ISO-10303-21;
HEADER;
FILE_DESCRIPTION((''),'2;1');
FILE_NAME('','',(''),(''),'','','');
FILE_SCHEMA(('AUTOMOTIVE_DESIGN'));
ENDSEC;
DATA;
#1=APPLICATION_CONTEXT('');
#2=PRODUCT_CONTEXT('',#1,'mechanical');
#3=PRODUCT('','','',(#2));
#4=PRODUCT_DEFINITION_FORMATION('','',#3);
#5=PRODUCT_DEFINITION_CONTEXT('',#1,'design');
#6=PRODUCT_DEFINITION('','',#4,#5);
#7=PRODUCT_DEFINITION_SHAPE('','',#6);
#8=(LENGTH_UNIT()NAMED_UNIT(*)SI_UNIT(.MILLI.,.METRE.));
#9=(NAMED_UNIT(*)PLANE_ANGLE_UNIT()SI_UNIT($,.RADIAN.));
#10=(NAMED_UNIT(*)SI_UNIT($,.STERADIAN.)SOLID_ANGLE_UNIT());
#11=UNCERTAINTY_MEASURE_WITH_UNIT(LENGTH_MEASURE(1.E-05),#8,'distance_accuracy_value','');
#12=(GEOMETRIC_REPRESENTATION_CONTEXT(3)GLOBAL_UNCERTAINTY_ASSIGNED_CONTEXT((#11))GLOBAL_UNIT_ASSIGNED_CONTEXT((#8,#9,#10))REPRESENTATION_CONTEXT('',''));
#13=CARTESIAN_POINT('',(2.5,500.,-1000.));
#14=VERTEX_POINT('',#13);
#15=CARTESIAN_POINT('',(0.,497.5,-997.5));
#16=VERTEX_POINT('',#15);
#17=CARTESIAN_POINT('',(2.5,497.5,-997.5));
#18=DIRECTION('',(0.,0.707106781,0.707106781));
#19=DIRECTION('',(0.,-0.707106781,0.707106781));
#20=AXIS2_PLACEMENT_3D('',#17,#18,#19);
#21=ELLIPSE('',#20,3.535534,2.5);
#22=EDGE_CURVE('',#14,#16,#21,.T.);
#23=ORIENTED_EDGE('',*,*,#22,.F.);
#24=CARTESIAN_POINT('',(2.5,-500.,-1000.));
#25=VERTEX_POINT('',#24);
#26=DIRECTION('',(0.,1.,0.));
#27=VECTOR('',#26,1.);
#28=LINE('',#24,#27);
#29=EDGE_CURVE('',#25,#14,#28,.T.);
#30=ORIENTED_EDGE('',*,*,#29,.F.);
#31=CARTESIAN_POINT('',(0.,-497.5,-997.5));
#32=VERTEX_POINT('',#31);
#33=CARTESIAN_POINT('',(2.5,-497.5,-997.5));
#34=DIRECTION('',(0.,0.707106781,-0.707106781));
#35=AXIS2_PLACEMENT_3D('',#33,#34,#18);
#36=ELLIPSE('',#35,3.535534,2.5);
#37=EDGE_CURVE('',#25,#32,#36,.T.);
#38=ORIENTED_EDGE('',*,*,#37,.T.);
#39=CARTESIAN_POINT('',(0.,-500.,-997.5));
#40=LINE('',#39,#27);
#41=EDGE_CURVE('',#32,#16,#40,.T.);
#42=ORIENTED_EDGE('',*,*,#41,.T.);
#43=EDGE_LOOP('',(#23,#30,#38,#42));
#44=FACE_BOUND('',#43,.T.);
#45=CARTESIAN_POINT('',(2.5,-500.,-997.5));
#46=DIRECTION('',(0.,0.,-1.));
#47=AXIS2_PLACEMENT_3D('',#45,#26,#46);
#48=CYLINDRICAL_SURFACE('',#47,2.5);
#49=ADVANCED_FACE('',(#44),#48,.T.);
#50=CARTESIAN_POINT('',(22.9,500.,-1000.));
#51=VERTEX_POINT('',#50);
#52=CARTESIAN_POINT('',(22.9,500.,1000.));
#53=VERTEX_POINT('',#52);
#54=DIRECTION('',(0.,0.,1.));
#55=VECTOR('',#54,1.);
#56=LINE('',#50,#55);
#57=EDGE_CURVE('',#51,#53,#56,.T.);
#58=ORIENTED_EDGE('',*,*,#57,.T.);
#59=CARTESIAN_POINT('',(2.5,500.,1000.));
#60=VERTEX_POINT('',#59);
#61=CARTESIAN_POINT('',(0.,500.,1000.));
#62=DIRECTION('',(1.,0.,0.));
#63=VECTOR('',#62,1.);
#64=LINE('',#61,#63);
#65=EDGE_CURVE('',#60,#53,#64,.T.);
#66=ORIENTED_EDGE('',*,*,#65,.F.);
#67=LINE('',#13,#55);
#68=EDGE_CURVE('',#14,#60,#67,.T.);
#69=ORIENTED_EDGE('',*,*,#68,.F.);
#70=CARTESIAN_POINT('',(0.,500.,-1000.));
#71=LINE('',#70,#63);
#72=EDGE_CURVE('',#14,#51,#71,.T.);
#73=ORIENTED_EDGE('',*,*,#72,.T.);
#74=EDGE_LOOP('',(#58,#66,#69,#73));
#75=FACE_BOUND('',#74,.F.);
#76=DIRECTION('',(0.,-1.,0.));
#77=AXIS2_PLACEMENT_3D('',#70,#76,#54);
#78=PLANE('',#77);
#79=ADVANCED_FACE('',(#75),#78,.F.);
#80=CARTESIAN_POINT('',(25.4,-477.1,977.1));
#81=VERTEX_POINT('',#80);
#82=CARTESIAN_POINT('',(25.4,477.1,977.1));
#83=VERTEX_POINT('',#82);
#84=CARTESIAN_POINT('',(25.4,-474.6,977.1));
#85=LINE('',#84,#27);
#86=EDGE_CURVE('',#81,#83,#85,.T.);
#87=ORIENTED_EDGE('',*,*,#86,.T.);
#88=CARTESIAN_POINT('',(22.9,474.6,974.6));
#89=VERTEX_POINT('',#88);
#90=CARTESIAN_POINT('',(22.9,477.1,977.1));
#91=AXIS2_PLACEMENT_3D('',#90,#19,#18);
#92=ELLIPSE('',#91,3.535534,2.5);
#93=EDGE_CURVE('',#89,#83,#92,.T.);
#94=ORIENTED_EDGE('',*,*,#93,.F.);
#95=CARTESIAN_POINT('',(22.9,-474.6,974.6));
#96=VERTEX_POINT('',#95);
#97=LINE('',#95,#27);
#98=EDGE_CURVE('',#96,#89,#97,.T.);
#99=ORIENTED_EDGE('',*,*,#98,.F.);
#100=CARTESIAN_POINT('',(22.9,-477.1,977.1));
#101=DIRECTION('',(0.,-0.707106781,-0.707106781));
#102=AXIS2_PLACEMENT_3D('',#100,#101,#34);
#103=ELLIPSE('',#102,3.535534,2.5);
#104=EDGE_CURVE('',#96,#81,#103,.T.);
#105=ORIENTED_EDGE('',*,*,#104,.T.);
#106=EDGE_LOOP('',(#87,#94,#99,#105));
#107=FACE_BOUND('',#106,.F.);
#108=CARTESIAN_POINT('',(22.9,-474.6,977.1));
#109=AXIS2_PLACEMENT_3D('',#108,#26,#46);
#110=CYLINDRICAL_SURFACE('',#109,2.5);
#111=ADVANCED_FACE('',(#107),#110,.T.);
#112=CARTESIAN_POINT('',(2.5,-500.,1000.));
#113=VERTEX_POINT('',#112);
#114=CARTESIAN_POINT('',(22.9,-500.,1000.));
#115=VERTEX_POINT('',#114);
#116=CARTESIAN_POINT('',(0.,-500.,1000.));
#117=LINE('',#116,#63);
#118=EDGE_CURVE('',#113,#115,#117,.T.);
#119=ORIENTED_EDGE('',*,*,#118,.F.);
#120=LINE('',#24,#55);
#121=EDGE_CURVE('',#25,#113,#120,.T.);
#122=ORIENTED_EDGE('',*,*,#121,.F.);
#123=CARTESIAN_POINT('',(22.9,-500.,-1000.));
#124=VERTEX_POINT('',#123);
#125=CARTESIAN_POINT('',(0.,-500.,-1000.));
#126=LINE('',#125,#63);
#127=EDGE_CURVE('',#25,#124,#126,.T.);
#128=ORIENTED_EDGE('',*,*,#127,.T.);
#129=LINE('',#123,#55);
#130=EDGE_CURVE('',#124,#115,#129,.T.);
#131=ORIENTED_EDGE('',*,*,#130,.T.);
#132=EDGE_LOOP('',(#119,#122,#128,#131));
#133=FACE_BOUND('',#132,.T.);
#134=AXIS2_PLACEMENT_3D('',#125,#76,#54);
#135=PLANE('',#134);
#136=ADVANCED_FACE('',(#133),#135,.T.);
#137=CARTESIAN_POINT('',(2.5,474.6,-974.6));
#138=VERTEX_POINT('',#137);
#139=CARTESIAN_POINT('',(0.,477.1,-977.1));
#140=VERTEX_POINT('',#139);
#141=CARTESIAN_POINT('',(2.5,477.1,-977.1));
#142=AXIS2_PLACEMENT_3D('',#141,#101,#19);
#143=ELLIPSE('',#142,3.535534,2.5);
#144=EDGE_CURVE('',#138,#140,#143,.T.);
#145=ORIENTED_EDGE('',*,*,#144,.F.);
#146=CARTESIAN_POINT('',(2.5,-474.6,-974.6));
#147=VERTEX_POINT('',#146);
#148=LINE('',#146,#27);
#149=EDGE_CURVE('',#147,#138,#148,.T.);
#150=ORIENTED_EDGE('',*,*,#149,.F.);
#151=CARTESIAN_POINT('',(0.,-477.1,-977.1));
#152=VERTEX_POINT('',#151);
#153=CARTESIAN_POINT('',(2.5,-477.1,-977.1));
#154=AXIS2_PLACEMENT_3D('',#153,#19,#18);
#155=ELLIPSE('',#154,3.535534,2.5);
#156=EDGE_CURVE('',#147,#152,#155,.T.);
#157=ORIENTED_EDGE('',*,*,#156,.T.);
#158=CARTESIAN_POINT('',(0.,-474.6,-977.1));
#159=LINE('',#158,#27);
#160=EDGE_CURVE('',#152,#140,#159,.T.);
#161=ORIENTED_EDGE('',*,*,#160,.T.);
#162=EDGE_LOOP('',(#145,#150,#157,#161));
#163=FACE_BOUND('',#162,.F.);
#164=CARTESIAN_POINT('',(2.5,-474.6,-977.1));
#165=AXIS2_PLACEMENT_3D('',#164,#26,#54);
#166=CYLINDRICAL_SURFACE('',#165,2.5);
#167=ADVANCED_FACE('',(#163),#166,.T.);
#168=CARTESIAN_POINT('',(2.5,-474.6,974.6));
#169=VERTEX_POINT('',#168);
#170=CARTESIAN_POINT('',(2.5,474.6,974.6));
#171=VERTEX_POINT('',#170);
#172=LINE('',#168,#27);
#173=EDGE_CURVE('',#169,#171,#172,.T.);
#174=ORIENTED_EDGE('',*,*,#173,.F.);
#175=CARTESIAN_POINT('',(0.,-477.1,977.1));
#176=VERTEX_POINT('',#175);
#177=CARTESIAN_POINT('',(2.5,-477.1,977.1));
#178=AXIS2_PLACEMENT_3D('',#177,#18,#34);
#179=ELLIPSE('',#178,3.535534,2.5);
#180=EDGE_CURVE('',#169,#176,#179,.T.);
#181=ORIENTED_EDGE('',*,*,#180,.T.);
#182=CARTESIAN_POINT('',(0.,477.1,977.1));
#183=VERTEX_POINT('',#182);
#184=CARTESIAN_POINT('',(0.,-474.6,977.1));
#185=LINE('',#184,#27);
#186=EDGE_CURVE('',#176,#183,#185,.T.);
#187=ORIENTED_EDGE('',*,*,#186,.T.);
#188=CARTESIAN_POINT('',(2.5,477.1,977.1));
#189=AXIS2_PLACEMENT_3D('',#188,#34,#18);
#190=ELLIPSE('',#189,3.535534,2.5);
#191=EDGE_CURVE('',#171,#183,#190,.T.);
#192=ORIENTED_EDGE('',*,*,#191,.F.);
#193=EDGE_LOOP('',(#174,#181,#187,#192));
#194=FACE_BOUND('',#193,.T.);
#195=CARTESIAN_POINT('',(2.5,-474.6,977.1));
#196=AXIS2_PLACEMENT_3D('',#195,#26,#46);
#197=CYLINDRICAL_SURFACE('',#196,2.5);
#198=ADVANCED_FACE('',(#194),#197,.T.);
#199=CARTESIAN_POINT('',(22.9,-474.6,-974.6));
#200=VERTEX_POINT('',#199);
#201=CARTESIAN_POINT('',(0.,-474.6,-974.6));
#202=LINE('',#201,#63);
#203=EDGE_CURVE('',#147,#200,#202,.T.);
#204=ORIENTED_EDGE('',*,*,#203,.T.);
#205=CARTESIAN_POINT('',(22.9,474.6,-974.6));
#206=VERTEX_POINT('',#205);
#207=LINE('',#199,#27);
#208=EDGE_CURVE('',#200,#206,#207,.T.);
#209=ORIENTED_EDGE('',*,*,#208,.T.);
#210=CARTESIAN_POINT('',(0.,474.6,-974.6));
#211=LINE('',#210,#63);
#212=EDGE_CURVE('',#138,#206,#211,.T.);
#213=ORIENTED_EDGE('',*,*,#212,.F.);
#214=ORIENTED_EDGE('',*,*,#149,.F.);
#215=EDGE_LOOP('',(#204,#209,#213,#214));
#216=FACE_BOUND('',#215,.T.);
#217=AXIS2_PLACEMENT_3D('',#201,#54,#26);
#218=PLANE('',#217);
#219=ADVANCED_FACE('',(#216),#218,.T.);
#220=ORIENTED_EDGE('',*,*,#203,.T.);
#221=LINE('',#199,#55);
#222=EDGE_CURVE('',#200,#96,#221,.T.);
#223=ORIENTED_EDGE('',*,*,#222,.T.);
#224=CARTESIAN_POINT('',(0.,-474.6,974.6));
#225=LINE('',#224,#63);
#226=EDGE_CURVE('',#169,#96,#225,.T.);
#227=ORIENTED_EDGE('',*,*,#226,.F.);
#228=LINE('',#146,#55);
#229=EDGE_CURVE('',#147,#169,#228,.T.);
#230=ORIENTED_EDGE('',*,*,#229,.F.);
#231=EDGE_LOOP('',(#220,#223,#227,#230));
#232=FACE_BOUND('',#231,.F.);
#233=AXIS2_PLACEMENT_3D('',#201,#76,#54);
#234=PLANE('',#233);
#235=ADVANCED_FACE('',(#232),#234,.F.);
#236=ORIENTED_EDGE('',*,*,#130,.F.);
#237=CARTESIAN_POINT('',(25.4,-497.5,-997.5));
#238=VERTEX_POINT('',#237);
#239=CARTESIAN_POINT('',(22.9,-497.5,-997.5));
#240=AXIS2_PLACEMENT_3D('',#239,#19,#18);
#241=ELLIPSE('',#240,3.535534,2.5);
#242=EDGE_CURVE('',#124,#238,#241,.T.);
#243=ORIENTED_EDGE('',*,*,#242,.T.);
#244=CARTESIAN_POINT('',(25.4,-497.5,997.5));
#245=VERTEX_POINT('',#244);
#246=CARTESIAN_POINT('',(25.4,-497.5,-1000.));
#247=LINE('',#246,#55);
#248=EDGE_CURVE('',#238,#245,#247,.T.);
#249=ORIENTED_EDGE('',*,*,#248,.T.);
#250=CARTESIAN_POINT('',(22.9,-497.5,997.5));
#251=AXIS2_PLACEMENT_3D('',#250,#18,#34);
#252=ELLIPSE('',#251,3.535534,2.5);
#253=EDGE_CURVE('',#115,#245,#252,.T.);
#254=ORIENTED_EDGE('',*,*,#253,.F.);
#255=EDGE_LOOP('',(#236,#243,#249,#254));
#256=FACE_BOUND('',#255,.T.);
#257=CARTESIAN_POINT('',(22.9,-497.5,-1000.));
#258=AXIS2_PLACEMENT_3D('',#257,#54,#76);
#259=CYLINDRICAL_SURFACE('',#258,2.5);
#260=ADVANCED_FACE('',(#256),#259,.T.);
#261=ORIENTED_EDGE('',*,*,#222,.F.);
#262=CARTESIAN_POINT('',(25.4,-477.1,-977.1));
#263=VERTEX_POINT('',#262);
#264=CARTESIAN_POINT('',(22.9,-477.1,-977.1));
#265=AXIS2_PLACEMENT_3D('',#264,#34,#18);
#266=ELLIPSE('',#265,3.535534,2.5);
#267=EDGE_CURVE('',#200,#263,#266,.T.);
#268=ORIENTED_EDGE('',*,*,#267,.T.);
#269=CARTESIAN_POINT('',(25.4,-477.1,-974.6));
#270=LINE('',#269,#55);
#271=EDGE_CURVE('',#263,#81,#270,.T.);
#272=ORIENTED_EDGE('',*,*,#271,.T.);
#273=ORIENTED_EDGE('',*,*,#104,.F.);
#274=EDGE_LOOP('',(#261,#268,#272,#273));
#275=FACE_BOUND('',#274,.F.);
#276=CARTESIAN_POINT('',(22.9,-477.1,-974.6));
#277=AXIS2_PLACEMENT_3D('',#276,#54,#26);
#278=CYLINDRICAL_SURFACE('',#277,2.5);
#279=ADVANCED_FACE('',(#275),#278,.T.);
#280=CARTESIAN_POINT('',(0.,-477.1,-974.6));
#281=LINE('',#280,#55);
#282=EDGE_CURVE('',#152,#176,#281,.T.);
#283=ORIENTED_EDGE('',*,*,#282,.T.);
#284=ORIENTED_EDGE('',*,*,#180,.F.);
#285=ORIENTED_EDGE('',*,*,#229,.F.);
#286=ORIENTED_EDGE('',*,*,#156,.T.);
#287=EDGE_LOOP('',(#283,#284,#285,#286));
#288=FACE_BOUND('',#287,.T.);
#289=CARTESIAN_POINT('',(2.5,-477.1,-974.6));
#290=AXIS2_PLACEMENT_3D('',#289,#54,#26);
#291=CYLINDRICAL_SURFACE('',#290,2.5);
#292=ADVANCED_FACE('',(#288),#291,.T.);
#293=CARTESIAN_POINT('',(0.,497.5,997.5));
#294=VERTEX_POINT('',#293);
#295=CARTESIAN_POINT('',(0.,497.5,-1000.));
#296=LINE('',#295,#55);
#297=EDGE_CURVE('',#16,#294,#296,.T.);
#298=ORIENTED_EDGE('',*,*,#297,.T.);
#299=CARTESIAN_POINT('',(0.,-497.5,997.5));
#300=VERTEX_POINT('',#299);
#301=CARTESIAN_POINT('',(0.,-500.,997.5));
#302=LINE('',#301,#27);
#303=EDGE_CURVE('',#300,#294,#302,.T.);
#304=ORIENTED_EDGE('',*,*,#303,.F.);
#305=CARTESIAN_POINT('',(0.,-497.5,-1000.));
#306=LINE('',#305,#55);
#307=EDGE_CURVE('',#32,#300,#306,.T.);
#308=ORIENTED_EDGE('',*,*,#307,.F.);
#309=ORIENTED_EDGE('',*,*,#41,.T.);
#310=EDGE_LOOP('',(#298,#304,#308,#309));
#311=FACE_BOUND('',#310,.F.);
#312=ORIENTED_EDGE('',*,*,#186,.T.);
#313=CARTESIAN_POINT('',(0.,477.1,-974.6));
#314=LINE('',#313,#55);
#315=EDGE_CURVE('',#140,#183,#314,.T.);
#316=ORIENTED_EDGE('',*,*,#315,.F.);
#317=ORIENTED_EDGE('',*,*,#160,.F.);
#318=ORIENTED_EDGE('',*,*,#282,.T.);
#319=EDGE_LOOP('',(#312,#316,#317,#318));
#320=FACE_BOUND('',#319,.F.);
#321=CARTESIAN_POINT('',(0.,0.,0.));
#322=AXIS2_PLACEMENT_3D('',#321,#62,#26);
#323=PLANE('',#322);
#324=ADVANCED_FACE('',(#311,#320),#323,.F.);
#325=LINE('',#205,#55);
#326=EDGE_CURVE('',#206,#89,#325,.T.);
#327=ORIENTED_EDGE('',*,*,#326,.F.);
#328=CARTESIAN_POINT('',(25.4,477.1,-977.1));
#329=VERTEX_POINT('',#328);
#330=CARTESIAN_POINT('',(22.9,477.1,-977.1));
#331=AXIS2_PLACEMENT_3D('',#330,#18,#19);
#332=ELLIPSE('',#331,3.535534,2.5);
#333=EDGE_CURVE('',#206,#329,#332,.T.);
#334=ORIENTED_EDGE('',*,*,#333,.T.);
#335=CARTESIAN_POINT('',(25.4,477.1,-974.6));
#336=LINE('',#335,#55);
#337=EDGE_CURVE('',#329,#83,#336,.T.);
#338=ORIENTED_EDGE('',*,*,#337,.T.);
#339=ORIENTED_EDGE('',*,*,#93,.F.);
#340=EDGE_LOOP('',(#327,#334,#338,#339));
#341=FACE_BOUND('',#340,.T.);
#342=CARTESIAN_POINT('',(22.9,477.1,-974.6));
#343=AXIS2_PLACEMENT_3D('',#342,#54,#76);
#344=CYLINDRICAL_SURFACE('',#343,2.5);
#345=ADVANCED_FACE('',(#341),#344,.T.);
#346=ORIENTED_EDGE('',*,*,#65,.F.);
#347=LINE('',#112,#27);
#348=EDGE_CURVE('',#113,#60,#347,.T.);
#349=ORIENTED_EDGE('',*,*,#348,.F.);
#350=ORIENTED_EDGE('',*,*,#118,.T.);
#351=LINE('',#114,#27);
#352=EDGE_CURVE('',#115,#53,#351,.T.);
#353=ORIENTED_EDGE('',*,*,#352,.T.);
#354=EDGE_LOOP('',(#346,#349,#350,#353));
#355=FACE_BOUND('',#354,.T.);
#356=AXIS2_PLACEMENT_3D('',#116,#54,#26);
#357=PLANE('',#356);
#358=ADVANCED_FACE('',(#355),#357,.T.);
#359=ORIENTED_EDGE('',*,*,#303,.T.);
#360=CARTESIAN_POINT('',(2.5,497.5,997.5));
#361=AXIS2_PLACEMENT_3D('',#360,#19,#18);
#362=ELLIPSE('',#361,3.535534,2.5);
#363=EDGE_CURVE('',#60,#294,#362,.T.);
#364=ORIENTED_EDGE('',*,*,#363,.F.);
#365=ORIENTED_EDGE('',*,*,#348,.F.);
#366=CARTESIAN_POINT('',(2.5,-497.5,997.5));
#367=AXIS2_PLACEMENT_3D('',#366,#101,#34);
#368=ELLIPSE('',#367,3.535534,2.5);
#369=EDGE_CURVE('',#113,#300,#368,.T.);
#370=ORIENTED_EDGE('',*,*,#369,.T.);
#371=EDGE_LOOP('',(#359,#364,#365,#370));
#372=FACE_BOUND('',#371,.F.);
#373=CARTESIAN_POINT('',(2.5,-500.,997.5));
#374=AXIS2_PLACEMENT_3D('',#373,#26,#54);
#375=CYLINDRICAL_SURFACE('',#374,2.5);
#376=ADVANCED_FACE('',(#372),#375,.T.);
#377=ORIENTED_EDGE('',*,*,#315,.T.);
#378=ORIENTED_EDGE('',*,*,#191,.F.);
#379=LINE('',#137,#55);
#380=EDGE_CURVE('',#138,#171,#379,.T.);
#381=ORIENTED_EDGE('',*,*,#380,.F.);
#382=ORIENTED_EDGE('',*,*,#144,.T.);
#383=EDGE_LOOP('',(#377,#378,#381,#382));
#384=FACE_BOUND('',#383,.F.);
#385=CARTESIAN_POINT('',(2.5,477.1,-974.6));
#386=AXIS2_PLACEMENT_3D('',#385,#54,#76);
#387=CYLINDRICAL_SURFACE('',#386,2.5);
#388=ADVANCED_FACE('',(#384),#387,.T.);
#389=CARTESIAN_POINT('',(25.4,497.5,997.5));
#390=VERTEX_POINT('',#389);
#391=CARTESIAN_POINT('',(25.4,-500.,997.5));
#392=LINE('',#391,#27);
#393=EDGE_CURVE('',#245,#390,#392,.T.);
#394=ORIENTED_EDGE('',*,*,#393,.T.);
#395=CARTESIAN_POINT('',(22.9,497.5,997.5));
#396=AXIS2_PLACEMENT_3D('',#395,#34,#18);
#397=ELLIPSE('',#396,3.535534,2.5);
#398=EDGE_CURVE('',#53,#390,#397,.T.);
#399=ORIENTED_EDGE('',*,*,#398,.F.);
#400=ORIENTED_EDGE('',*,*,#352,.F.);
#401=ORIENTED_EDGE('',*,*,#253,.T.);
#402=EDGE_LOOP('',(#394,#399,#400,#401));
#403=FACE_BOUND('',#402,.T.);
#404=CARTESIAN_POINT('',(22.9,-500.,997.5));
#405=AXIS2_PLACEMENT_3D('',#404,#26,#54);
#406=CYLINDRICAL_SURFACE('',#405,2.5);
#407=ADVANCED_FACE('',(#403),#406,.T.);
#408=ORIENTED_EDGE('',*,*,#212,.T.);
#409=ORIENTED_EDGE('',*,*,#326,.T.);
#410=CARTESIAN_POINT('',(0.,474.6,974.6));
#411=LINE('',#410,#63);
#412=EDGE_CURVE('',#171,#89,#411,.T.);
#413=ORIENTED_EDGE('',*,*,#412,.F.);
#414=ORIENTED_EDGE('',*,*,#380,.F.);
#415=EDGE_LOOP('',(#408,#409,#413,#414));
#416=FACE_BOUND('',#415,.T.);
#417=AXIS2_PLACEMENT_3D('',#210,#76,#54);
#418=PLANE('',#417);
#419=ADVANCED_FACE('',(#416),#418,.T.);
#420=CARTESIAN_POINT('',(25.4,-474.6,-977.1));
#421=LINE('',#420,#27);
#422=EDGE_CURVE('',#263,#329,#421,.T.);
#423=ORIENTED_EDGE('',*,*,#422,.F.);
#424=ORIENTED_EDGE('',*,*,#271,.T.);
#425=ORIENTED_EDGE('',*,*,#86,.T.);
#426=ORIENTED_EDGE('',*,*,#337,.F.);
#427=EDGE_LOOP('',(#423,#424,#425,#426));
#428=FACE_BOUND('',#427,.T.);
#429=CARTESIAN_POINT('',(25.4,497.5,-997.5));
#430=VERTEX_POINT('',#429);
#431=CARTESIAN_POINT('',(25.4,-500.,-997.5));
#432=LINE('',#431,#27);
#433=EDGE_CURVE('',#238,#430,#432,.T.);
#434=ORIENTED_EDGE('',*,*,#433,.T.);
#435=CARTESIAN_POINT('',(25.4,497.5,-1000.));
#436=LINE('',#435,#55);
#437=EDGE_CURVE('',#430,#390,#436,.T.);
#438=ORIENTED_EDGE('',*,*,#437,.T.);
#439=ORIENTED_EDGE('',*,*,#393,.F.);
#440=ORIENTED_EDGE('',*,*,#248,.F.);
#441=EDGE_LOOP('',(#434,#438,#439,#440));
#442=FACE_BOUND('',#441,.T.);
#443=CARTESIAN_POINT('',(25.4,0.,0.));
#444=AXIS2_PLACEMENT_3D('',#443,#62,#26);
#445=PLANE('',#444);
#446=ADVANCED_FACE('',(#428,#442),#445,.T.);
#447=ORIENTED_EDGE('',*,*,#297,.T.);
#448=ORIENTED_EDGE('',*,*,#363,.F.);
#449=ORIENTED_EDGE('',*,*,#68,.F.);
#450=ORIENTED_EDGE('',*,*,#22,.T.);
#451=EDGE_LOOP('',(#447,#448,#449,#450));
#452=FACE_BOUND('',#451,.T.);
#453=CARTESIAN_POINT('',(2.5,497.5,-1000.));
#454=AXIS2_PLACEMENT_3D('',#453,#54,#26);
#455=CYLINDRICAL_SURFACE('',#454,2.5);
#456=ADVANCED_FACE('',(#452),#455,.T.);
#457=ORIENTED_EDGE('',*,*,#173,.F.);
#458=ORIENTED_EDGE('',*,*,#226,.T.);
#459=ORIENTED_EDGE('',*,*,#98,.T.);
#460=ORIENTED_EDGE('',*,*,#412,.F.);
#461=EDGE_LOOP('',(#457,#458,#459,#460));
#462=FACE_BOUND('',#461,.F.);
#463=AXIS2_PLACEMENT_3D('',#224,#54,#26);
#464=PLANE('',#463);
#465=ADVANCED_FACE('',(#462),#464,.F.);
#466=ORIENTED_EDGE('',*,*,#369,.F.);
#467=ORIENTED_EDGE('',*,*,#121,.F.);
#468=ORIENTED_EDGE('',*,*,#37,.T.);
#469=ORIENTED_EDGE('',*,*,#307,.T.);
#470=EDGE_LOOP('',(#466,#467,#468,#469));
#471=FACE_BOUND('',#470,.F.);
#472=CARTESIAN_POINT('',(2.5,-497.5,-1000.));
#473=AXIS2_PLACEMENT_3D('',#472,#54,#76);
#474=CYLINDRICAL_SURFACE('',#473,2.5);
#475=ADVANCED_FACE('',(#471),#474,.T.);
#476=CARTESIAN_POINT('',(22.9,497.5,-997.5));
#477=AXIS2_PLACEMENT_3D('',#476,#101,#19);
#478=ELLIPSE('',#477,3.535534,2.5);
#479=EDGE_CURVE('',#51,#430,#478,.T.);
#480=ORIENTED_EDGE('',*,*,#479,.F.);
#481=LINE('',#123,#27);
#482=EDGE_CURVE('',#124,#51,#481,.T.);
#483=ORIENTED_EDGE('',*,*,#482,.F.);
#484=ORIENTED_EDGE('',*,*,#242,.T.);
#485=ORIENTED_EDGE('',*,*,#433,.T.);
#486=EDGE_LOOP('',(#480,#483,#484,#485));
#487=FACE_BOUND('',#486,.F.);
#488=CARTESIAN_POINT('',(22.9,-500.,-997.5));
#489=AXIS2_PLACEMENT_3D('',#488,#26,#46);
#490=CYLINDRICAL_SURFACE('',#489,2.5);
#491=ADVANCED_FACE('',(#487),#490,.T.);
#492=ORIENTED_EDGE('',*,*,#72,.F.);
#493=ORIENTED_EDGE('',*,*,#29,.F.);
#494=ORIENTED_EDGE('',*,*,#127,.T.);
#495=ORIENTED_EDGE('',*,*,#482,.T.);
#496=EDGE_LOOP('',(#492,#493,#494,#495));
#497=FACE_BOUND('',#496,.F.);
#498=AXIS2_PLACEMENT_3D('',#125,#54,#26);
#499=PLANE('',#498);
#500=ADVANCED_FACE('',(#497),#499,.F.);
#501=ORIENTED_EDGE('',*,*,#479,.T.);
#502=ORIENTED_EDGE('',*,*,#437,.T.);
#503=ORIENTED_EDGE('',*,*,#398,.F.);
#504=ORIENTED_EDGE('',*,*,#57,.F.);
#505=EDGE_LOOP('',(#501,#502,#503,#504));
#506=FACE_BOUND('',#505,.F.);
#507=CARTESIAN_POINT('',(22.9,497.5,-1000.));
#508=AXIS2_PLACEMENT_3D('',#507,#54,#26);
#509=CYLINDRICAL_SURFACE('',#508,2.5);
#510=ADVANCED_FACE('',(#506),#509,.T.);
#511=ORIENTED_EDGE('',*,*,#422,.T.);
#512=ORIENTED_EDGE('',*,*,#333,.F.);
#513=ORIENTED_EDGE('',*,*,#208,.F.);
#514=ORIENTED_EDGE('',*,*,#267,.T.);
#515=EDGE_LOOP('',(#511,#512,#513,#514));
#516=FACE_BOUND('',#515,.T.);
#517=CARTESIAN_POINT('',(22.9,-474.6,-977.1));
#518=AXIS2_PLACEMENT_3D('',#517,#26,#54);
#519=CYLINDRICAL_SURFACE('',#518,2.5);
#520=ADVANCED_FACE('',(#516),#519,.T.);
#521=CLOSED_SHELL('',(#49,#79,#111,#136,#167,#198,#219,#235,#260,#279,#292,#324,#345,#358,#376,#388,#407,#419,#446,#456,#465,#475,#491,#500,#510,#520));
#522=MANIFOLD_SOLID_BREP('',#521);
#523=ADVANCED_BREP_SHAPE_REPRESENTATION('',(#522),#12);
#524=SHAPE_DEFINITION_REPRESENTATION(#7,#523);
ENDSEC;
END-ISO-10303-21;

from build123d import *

# Parameters (mm, degrees)
F0_W     = 1000
F0_H     = 2000
F0_W_2   = 949.2
F0_H_2   = 1949.2
F1_DEPTH = 25.4
F2_R     = 2.5


with BuildPart() as f1:
    # F0 (on Right) → F1 (new body)
    with BuildSketch(Plane.YZ):
        Rectangle(F0_W, F0_H)
        Rectangle(F0_W_2, F0_H_2, mode=Mode.SUBTRACT)
    extrude(amount=F1_DEPTH)

    # F2
    f2_edges = [f1.edges().sort_by_distance(p)[0] for p in [
        (25.4, 0, 1000),
        (25.4, 0, 974.6),
        (0, 0, 1000),
        (0, 0, 974.6),
        (0, -500, 0),
        (25.4, -500, 0),
        (0, -474.6, 0),
        (25.4, -474.6, 0),
        (25.4, 500, 0),
        (0, 500, 0),
        (25.4, 474.6, 0),
        (25.4, 0, -974.6),
        (25.4, 0, -1000),
        (0, 0, -1000),
        (0, 474.6, 0),
        (0, 0, -974.6),
    ]]
    fillet(f2_edges, radius=F2_R)


solid = f1.part
